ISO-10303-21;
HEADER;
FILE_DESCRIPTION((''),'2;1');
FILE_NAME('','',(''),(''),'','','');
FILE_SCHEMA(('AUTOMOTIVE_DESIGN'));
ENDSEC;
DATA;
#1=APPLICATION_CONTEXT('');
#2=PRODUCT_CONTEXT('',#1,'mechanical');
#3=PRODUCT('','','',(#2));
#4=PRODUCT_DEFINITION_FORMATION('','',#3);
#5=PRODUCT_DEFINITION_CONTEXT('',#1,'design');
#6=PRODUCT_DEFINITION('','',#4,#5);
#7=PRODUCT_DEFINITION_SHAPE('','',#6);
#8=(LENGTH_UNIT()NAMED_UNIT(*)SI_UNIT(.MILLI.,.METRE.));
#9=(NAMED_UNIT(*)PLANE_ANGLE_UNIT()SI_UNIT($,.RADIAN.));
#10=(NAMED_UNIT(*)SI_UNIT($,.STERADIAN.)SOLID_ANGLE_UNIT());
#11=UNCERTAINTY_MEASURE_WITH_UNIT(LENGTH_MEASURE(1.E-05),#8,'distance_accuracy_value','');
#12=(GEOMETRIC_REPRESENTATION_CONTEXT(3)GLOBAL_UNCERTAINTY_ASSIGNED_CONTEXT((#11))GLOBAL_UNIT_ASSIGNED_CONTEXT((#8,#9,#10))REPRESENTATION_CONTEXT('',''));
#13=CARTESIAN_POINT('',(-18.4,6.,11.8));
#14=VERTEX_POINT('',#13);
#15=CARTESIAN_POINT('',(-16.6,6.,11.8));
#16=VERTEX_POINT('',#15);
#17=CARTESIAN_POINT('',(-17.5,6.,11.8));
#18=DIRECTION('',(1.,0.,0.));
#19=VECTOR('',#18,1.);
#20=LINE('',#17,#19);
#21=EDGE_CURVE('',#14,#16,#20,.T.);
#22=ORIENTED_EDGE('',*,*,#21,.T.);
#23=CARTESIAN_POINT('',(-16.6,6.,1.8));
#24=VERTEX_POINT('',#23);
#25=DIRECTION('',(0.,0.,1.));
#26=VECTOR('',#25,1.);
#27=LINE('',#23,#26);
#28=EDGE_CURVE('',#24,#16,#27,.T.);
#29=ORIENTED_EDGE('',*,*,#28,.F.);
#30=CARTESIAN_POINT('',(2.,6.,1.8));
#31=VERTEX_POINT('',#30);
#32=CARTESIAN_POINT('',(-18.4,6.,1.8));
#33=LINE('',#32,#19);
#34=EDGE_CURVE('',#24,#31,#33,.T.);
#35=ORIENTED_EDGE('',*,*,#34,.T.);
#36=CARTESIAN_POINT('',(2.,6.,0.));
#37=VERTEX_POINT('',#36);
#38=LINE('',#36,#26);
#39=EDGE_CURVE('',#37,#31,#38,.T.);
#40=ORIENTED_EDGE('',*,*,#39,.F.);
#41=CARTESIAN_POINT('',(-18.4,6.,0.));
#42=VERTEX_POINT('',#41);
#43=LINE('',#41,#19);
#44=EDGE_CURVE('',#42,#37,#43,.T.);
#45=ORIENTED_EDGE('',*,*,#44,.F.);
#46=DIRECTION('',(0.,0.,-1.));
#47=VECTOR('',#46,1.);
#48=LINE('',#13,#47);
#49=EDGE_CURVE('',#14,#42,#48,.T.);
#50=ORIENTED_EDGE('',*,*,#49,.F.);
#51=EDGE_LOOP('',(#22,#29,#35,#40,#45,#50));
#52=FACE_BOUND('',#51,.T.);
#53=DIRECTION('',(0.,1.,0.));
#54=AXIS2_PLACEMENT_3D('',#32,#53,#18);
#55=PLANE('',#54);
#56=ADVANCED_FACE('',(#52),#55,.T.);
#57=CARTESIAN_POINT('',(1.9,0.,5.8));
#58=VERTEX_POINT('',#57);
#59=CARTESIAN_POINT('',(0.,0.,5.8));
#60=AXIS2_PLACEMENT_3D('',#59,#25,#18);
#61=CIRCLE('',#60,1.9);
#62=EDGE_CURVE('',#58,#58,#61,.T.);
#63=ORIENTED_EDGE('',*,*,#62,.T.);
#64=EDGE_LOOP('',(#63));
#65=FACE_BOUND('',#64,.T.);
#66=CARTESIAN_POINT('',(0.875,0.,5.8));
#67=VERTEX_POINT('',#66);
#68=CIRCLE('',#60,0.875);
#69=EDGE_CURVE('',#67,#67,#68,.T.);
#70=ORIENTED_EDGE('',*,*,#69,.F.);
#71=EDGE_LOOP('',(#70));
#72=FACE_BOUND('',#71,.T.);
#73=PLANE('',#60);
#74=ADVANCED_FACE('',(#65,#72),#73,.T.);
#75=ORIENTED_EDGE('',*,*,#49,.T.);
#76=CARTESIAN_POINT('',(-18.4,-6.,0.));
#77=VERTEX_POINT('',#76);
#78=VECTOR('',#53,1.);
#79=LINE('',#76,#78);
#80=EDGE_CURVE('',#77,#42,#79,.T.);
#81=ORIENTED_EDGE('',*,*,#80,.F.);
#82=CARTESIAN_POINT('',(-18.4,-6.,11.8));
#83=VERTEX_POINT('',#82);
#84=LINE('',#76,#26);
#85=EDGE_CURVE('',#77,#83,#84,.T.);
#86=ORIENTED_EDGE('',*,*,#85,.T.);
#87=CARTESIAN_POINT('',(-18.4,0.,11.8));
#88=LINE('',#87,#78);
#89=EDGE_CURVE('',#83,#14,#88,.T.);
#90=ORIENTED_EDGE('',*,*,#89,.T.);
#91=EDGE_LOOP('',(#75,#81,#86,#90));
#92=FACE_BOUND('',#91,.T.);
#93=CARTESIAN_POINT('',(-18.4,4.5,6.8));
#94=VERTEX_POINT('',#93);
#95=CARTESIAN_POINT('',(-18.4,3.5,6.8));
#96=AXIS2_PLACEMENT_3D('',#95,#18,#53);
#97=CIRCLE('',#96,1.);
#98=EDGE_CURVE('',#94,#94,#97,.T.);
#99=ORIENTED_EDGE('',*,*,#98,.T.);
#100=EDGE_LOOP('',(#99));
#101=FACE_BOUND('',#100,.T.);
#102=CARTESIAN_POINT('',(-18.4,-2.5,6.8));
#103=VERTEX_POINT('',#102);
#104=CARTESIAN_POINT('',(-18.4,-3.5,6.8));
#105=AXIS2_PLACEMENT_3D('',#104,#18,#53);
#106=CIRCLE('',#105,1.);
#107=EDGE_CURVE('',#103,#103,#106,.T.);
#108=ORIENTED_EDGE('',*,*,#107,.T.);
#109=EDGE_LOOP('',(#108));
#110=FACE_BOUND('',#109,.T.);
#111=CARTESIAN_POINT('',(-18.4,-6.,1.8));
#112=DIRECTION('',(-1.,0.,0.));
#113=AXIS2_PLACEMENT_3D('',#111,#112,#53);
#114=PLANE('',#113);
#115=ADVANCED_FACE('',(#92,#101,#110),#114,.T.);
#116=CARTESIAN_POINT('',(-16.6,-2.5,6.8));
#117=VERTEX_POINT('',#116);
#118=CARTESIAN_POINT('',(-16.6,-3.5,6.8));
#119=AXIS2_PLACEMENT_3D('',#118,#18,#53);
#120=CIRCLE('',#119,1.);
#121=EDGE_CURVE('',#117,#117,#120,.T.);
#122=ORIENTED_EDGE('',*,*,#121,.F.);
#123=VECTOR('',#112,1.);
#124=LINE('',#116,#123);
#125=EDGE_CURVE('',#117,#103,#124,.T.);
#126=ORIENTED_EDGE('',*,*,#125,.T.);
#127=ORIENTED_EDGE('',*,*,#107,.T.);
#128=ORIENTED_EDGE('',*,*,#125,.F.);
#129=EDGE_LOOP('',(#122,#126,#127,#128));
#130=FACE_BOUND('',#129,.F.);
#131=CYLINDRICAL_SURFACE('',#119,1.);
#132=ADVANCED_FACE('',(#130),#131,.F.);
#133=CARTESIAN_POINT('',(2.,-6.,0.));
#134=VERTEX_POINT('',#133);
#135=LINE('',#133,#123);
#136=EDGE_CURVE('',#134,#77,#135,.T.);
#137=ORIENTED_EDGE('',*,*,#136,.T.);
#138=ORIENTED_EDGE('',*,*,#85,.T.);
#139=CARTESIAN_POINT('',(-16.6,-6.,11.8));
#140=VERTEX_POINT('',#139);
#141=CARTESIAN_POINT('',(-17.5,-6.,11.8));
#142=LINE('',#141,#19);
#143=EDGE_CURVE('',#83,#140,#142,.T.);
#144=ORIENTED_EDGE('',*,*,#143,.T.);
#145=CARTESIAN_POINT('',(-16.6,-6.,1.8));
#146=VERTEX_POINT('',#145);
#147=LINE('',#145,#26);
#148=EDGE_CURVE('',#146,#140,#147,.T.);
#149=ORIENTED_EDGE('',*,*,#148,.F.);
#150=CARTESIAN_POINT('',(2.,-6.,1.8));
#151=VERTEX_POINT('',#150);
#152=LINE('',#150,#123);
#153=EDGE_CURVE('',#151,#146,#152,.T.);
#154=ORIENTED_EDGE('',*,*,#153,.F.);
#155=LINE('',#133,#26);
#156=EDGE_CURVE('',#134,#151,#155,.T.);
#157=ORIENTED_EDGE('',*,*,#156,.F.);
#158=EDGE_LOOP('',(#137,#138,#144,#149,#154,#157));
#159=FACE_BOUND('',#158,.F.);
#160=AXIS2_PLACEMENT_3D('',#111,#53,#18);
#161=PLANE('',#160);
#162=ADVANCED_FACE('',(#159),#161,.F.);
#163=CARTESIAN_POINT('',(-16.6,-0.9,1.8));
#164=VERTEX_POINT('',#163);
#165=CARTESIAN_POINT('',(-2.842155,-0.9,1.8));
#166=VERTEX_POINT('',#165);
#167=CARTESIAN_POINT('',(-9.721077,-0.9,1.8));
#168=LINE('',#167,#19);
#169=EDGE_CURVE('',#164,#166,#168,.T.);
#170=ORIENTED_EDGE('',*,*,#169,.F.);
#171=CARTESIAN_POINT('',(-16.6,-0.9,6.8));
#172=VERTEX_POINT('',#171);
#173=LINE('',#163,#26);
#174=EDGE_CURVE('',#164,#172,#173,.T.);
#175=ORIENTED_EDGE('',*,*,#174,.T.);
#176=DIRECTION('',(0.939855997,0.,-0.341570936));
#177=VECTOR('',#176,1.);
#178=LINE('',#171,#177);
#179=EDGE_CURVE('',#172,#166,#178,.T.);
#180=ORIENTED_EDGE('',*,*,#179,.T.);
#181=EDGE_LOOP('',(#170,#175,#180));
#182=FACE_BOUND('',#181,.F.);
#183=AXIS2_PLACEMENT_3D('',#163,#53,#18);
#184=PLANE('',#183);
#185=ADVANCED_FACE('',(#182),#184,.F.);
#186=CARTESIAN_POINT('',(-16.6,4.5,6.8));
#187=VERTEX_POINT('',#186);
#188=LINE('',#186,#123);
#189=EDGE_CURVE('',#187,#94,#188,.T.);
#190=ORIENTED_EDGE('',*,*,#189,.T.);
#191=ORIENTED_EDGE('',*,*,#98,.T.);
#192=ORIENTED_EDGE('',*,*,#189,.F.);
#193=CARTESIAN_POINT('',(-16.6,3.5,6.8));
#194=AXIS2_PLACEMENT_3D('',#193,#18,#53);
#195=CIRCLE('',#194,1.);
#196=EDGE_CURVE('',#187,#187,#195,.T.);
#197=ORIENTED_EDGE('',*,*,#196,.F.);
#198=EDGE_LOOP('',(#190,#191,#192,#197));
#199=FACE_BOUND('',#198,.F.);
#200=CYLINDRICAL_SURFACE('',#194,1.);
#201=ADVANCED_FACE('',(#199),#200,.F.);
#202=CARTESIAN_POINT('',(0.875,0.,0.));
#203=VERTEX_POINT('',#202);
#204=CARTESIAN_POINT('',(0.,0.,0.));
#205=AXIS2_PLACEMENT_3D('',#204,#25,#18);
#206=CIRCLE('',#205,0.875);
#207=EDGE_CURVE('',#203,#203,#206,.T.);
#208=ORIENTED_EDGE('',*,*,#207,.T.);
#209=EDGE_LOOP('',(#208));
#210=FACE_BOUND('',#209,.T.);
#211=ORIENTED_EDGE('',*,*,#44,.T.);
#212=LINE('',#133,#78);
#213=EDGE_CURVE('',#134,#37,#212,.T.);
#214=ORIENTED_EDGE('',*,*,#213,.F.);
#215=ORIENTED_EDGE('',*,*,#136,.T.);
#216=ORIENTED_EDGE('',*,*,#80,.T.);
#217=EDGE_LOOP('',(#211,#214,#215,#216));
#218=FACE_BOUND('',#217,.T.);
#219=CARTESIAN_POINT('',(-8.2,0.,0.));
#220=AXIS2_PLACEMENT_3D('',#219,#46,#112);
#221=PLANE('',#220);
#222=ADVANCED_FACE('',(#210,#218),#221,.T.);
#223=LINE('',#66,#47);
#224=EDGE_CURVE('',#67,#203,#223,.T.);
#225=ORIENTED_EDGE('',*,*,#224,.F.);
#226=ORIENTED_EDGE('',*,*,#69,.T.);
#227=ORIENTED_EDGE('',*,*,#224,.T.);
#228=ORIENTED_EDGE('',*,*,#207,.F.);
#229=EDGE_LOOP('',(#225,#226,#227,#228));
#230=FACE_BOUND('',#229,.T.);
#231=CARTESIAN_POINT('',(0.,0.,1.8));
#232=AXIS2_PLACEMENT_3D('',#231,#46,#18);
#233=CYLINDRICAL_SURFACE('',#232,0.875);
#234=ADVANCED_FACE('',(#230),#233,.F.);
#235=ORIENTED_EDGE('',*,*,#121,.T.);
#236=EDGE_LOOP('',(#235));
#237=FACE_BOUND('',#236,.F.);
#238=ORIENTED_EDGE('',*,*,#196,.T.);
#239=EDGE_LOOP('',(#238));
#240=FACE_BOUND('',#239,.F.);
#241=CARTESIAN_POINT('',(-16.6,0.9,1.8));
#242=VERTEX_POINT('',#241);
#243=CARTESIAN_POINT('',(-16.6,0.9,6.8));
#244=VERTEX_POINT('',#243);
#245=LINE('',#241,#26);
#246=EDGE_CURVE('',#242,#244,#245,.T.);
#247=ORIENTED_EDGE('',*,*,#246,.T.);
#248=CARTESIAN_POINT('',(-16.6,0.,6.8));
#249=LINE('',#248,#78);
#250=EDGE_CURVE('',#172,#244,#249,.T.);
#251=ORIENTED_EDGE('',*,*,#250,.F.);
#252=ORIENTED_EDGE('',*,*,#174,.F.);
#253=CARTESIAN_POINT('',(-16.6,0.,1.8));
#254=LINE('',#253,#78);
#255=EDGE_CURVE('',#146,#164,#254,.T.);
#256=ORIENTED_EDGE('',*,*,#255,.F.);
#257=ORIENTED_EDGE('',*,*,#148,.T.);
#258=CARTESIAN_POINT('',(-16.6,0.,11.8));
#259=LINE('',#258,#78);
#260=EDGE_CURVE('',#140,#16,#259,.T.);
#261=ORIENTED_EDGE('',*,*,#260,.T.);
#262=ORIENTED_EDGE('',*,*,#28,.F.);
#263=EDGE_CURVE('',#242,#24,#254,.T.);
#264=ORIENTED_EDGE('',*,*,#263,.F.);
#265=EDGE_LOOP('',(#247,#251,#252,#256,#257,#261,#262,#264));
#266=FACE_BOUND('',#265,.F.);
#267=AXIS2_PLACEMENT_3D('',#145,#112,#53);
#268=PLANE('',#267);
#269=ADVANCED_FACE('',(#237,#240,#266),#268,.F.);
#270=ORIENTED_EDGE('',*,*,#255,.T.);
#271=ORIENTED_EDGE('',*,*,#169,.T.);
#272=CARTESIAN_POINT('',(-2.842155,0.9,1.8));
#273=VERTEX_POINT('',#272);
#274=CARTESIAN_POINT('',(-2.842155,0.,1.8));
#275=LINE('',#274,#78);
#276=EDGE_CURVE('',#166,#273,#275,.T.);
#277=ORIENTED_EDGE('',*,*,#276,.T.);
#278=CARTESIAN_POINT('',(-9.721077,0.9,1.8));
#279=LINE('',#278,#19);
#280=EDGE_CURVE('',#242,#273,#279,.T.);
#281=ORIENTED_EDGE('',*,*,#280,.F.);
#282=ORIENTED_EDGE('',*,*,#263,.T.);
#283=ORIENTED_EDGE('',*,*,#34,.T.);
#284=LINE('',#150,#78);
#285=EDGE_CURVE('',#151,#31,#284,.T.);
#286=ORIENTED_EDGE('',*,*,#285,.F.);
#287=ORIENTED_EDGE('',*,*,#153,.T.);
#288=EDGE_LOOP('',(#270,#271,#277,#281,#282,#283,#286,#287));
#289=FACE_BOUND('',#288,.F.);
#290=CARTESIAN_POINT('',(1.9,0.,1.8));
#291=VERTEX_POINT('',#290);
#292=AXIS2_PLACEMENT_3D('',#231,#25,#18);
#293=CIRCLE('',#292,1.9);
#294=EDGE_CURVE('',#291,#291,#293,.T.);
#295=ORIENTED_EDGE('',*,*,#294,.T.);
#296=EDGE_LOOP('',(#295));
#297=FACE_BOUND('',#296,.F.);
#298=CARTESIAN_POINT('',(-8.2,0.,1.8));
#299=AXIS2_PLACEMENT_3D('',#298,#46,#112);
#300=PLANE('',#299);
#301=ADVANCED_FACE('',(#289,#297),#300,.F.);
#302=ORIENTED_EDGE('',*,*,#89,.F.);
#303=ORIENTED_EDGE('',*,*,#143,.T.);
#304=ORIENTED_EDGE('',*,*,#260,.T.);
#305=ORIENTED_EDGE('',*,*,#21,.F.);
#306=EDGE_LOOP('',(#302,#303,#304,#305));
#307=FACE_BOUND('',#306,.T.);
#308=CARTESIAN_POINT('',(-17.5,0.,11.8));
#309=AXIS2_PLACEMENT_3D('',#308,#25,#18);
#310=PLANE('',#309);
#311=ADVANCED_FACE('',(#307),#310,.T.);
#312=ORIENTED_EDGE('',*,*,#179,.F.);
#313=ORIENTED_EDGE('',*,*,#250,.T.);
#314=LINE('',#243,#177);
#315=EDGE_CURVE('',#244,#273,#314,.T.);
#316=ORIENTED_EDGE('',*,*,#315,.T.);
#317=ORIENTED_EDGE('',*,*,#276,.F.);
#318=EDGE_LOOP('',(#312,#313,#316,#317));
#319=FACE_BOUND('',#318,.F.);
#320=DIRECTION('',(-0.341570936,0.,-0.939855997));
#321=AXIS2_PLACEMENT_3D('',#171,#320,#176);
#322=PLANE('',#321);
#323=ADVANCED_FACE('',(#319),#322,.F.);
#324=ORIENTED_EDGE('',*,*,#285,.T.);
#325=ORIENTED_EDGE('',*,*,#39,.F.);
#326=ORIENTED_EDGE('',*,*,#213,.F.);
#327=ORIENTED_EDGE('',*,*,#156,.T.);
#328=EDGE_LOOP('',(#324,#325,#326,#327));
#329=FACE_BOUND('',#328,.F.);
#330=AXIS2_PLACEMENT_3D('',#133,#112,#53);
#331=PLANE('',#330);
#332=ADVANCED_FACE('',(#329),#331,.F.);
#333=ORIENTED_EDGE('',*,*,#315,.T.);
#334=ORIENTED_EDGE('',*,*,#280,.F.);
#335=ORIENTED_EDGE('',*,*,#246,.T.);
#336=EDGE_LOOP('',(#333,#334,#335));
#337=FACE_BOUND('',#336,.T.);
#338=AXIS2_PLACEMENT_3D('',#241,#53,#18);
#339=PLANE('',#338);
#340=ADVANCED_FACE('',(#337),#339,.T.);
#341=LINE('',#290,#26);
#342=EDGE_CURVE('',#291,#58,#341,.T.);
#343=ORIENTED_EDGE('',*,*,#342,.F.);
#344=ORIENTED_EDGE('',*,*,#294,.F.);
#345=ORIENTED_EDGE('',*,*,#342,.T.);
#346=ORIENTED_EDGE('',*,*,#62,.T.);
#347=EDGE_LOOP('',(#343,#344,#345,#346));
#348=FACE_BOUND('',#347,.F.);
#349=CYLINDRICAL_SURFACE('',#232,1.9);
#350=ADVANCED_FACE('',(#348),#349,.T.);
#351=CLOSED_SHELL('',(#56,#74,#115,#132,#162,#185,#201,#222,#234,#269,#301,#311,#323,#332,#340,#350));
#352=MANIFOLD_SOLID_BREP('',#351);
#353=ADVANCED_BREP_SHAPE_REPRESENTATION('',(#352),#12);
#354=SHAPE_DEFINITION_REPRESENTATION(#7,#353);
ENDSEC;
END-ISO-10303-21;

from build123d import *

# Parameters (mm, degrees)
SKETCH_R        = 0.875
PAD_DEPTH       = 1.8
SKETCH001_W     = 1.8
SKETCH001_H     = 12
PAD001_DEPTH    = 10
SKETCH002_R     = 1
POCKET_DEPTH    = 1.801
SKETCH003_W     = 13.757845
SKETCH003_H     = 1.8
PAD002_DEPTH    = 5
POCKET001_DEPTH = 1.8
SKETCH005_R     = 1.9
SKETCH005_R_2   = 0.875
PAD003_DEPTH    = 4


with BuildPart() as part:
    # Sketch → Pad (new body)
    with BuildSketch(Plane.XY):
        Polygon((-18.4, 6), (2, 6), (2, 0), (2, -6), (-18.4, -6), align=None)
        Circle(SKETCH_R, mode=Mode.SUBTRACT)
    extrude(amount=PAD_DEPTH)

    # Sketch001 → Pad001 (new body)
    with BuildSketch(Plane.XY.offset(1.8)):
        with Locations((-17.5, 0)):
            Rectangle(SKETCH001_W, SKETCH001_H)
    extrude(amount=PAD001_DEPTH)

    # Sketch002 → Pocket (cut, through all)
    with BuildSketch(Plane.YZ.offset(-16.6)):
        with Locations((-3.5, 6.8)):
            Circle(SKETCH002_R)
        with Locations((3.5, 6.8)):
            Circle(SKETCH002_R)
    extrude(amount=-POCKET_DEPTH, mode=Mode.SUBTRACT)

    # Sketch003 → Pad002 (new body)
    with BuildSketch(Plane.XY.offset(1.8)):
        with Locations((-9.7210775, 0)):
            Rectangle(SKETCH003_W, SKETCH003_H)
    extrude(amount=PAD002_DEPTH)

    # Sketch004 → Pocket001 (cut)
    with BuildSketch(Plane.XZ.offset(0.9)):
        Polygon((-16.6, 6.8), (-2.842155, 1.8), (-2.842155, 6.8), align=None)
    extrude(amount=-POCKET001_DEPTH, mode=Mode.SUBTRACT)

    # Sketch005 → Pad003 (new body)
    with BuildSketch(Plane.XY.offset(1.8)):
        Circle(SKETCH005_R)
        Circle(SKETCH005_R_2, mode=Mode.SUBTRACT)
    extrude(amount=PAD003_DEPTH)


solid = part.part
